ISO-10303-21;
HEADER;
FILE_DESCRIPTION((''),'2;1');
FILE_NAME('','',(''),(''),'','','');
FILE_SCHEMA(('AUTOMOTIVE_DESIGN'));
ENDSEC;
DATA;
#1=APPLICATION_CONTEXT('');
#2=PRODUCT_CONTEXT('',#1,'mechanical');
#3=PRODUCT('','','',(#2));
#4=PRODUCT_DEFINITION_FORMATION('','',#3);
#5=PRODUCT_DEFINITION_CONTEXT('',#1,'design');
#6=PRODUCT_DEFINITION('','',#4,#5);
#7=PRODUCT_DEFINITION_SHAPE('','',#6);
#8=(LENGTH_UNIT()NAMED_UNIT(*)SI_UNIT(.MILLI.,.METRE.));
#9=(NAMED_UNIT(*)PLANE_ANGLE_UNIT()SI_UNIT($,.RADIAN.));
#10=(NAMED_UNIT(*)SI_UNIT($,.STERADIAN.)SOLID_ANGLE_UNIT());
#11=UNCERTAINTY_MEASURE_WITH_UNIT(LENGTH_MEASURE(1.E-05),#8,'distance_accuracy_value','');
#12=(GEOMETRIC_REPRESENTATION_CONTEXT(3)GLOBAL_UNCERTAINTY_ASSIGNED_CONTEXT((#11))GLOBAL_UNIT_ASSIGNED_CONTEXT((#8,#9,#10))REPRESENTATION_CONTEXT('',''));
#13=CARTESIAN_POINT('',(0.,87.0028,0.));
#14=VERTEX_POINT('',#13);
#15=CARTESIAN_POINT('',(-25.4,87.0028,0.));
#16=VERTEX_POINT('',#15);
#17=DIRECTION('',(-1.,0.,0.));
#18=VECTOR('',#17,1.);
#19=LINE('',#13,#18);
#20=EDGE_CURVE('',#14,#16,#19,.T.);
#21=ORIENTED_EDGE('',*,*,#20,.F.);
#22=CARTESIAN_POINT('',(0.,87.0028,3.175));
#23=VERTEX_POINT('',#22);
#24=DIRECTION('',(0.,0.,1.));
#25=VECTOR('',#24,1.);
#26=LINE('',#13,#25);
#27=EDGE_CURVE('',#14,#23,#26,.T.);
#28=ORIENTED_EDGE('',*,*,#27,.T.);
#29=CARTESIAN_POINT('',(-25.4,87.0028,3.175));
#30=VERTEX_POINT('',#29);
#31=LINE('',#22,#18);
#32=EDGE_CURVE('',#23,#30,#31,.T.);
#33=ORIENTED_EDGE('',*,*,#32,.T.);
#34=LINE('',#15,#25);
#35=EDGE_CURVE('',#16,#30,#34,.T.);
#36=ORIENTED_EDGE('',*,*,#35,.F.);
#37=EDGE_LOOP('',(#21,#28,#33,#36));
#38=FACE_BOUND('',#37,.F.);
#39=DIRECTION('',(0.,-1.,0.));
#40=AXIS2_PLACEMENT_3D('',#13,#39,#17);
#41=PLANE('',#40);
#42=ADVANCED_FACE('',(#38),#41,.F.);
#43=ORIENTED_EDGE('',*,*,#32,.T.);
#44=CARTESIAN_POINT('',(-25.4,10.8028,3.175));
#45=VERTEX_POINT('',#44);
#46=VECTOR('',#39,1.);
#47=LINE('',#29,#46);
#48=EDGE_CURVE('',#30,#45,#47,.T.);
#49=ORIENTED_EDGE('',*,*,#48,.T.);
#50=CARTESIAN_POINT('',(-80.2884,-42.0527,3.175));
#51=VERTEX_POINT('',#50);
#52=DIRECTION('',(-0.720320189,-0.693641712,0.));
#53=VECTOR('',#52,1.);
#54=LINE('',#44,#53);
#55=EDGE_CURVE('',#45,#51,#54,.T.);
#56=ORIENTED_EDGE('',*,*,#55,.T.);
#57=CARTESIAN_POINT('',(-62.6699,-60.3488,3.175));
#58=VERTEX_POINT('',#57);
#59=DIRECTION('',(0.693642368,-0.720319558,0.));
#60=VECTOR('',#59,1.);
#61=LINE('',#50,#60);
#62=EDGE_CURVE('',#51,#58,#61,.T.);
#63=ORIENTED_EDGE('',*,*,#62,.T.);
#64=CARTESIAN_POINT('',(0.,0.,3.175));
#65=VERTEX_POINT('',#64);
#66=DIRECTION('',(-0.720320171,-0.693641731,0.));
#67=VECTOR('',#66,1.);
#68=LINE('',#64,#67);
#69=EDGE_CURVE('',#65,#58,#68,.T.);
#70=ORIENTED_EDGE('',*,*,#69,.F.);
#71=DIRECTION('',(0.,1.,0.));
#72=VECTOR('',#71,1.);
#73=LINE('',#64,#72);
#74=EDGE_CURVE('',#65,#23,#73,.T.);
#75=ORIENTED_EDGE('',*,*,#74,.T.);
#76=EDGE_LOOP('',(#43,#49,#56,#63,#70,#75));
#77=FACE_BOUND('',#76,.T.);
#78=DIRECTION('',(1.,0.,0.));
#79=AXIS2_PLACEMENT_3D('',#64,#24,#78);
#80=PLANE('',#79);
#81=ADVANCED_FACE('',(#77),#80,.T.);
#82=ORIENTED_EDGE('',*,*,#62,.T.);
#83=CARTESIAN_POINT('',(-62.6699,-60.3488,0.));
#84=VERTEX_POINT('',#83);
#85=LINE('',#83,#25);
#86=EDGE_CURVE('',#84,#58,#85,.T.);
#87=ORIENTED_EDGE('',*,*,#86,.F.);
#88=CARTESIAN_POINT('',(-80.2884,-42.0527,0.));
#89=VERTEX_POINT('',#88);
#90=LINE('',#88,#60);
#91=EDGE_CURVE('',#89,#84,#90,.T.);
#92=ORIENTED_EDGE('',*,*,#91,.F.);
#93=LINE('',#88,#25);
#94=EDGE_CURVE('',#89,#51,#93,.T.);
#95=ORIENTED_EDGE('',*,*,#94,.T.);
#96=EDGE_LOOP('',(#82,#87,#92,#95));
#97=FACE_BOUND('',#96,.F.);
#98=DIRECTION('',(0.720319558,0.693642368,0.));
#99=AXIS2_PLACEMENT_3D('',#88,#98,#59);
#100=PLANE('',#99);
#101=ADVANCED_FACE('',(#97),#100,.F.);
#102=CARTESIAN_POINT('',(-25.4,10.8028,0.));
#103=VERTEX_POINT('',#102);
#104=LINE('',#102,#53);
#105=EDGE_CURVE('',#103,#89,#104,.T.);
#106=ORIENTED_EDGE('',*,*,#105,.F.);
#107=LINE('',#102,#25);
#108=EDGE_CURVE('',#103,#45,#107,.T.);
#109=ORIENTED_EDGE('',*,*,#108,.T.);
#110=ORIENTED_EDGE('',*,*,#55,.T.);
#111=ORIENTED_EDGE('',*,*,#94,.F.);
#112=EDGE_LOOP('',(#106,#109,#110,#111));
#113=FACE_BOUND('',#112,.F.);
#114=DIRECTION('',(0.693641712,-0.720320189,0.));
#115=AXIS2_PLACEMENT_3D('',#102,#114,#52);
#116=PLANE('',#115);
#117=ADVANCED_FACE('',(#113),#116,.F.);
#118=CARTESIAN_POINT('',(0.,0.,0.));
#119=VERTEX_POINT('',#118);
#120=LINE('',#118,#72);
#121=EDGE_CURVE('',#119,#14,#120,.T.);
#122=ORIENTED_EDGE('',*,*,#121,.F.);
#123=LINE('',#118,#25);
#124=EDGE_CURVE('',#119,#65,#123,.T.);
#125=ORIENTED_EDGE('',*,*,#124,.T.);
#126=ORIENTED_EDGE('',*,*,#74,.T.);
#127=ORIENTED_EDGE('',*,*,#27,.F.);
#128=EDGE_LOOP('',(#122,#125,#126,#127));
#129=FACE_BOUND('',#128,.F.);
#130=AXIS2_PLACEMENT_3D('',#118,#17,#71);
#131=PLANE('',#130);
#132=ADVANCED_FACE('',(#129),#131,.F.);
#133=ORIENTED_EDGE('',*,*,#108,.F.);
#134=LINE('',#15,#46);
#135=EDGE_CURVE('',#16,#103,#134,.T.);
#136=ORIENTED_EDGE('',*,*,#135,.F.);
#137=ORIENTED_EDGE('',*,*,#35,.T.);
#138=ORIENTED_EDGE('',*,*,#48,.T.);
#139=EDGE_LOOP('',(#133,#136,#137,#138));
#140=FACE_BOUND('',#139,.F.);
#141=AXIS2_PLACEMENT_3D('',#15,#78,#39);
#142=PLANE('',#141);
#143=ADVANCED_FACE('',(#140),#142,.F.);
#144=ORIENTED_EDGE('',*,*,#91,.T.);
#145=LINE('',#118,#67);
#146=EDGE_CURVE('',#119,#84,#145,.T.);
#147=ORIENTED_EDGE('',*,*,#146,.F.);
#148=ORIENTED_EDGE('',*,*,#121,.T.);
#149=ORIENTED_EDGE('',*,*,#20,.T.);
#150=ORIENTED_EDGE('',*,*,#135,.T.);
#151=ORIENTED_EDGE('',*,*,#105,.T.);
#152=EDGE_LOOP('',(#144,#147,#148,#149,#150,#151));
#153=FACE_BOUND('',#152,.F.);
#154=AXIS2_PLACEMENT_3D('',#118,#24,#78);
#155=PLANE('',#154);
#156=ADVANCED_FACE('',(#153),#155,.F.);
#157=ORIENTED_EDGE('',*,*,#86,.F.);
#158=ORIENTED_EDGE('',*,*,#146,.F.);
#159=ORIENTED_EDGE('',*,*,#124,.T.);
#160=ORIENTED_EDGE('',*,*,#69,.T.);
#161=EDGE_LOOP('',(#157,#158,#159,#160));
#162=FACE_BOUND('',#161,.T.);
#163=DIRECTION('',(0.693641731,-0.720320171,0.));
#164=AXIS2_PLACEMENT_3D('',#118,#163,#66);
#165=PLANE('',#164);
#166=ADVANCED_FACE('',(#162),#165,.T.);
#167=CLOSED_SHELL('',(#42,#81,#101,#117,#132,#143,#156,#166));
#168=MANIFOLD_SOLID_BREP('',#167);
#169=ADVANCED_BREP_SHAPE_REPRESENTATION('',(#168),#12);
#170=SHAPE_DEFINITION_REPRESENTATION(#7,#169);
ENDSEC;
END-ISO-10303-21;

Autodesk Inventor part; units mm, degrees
ref_plane "YZ Plane" through (0, 0, 0) normal (1, 0, 0) x (0, 1, 0)
ref_plane "XZ Plane" through (0, 0, 0) normal (0, 1, 0) x (-1, 0, 0)
ref_plane "XY Plane" through (0, 0, 0) normal (0, 0, 1) x (1, 0, 0)
sketch "Sketch1" plane through (0, 0, 0) normal (0, 0, 1) x (1, 0, 0)
  line L0 (0, 0) -> (-62.6699, -60.3488)
  line L1 (0, 0) -> (0, 87.0028)
  line L2 (0, 87.0028) -> (-25.4, 87.0028)
  line L3 (-25.4, 87.0028) -> (-25.4, 10.8028)
  line L4 (-25.4, 10.8028) -> (-80.2884, -42.0527)
  line L5 (-80.2884, -42.0527) -> (-62.6699, -60.3488)
  dimension "d0" = 25.4
  dimension "d1" = 76.2
  dimension "d2" = 133.919
extrude "Extrusion1" add sketch "Sketch1" along normal blind 3.175
properties part number "bottom gusset" material "Aluminum 6061"
